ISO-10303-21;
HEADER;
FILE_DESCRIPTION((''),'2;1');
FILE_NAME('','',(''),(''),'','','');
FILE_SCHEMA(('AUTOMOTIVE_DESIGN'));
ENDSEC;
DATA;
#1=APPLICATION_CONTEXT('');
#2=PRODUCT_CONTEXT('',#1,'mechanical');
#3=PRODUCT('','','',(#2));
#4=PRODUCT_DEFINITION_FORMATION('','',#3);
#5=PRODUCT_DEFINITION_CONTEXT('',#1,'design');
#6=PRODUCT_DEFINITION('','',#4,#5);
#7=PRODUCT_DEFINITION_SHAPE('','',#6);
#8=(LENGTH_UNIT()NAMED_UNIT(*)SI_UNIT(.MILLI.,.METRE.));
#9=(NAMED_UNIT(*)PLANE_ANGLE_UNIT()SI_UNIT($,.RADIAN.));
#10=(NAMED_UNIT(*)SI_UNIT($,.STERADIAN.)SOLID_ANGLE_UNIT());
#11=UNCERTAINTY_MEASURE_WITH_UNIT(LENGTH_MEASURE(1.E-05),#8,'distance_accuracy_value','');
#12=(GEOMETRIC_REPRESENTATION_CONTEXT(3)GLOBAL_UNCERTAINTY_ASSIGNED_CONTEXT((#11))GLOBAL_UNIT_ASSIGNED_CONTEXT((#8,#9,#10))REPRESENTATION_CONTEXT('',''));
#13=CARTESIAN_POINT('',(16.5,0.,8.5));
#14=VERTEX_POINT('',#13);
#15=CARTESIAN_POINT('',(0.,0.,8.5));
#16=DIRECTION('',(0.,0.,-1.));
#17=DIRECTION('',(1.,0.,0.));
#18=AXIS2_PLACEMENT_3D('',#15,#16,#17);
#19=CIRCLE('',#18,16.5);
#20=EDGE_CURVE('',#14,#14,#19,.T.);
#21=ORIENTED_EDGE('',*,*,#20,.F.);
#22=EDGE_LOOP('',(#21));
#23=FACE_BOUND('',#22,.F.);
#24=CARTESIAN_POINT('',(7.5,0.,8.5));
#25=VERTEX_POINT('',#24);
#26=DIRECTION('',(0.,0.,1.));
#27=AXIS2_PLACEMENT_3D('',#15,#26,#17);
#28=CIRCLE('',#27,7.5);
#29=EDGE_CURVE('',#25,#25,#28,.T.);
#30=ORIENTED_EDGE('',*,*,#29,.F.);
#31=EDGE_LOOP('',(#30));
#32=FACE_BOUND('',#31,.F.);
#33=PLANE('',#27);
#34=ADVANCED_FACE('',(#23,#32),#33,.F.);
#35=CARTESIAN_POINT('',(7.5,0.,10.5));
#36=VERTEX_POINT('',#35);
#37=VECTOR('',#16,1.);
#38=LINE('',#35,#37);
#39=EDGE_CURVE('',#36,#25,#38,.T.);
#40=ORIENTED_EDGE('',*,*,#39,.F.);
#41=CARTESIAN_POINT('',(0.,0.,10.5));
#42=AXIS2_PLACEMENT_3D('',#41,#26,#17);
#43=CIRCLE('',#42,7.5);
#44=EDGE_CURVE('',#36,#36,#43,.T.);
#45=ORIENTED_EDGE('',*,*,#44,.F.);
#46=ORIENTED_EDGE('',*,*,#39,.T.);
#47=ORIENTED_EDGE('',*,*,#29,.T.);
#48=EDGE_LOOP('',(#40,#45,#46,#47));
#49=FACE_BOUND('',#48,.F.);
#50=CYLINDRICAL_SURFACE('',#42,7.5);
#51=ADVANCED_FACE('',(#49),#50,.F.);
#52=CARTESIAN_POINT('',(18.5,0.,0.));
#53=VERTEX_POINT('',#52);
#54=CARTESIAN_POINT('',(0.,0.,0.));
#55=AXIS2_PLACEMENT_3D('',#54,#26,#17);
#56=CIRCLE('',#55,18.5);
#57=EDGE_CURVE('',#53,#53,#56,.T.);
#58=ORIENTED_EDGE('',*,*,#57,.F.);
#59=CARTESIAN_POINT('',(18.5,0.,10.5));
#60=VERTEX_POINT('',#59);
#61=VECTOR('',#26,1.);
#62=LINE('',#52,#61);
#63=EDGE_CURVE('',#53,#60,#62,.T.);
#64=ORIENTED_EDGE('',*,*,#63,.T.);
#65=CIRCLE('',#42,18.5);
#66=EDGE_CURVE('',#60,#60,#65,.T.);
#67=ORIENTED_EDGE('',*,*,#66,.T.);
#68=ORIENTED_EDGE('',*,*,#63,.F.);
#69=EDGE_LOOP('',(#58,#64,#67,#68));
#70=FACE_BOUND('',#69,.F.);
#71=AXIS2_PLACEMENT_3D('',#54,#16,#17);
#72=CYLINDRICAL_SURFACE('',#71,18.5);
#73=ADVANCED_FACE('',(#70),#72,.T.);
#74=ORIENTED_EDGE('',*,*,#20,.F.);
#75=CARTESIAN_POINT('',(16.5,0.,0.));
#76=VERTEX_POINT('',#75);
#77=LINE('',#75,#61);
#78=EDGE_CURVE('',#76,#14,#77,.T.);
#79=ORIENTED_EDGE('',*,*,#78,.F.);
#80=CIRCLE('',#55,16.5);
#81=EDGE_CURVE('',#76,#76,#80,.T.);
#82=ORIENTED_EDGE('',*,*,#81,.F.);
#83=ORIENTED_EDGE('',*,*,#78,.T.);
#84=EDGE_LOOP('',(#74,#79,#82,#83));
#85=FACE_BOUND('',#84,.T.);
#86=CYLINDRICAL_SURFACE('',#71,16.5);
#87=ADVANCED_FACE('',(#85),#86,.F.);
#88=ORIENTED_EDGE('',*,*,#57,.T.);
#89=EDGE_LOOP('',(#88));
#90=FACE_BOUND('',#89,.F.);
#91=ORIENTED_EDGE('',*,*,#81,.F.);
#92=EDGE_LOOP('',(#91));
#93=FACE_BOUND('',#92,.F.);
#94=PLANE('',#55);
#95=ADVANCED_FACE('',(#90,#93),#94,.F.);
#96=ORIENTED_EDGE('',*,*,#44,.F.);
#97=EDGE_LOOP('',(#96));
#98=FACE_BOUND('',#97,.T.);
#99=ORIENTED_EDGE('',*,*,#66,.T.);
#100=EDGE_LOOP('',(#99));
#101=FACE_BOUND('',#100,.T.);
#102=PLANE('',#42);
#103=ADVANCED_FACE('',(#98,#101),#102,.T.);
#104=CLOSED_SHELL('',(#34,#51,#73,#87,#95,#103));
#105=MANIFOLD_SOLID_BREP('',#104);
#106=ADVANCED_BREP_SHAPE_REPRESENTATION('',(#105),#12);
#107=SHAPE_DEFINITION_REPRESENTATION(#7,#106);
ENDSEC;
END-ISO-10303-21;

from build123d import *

# Parameters (mm, degrees)
F0_R     = 18.5
F1_DEPTH = 10.5
F2_T     = -2
F3_R     = 7.5
F4_DEPTH = 2


with BuildPart() as f1:
    # F0 (on Top) → F1 (new body)
    with BuildSketch(Plane.XY):
        Circle(F0_R)
    extrude(amount=F1_DEPTH)

    # F2
    f2_openings = [f1.faces().sort_by_distance(p)[0] for p in [
        (0, 0, 0),
    ]]
    offset(amount=F2_T, openings=f2_openings)

    # F3 (on face) → F4 (cut, through all)
    with BuildSketch(Plane.XY.offset(10.5)):
        Circle(F3_R)
    extrude(amount=-F4_DEPTH, mode=Mode.SUBTRACT)


solid = f1.part
